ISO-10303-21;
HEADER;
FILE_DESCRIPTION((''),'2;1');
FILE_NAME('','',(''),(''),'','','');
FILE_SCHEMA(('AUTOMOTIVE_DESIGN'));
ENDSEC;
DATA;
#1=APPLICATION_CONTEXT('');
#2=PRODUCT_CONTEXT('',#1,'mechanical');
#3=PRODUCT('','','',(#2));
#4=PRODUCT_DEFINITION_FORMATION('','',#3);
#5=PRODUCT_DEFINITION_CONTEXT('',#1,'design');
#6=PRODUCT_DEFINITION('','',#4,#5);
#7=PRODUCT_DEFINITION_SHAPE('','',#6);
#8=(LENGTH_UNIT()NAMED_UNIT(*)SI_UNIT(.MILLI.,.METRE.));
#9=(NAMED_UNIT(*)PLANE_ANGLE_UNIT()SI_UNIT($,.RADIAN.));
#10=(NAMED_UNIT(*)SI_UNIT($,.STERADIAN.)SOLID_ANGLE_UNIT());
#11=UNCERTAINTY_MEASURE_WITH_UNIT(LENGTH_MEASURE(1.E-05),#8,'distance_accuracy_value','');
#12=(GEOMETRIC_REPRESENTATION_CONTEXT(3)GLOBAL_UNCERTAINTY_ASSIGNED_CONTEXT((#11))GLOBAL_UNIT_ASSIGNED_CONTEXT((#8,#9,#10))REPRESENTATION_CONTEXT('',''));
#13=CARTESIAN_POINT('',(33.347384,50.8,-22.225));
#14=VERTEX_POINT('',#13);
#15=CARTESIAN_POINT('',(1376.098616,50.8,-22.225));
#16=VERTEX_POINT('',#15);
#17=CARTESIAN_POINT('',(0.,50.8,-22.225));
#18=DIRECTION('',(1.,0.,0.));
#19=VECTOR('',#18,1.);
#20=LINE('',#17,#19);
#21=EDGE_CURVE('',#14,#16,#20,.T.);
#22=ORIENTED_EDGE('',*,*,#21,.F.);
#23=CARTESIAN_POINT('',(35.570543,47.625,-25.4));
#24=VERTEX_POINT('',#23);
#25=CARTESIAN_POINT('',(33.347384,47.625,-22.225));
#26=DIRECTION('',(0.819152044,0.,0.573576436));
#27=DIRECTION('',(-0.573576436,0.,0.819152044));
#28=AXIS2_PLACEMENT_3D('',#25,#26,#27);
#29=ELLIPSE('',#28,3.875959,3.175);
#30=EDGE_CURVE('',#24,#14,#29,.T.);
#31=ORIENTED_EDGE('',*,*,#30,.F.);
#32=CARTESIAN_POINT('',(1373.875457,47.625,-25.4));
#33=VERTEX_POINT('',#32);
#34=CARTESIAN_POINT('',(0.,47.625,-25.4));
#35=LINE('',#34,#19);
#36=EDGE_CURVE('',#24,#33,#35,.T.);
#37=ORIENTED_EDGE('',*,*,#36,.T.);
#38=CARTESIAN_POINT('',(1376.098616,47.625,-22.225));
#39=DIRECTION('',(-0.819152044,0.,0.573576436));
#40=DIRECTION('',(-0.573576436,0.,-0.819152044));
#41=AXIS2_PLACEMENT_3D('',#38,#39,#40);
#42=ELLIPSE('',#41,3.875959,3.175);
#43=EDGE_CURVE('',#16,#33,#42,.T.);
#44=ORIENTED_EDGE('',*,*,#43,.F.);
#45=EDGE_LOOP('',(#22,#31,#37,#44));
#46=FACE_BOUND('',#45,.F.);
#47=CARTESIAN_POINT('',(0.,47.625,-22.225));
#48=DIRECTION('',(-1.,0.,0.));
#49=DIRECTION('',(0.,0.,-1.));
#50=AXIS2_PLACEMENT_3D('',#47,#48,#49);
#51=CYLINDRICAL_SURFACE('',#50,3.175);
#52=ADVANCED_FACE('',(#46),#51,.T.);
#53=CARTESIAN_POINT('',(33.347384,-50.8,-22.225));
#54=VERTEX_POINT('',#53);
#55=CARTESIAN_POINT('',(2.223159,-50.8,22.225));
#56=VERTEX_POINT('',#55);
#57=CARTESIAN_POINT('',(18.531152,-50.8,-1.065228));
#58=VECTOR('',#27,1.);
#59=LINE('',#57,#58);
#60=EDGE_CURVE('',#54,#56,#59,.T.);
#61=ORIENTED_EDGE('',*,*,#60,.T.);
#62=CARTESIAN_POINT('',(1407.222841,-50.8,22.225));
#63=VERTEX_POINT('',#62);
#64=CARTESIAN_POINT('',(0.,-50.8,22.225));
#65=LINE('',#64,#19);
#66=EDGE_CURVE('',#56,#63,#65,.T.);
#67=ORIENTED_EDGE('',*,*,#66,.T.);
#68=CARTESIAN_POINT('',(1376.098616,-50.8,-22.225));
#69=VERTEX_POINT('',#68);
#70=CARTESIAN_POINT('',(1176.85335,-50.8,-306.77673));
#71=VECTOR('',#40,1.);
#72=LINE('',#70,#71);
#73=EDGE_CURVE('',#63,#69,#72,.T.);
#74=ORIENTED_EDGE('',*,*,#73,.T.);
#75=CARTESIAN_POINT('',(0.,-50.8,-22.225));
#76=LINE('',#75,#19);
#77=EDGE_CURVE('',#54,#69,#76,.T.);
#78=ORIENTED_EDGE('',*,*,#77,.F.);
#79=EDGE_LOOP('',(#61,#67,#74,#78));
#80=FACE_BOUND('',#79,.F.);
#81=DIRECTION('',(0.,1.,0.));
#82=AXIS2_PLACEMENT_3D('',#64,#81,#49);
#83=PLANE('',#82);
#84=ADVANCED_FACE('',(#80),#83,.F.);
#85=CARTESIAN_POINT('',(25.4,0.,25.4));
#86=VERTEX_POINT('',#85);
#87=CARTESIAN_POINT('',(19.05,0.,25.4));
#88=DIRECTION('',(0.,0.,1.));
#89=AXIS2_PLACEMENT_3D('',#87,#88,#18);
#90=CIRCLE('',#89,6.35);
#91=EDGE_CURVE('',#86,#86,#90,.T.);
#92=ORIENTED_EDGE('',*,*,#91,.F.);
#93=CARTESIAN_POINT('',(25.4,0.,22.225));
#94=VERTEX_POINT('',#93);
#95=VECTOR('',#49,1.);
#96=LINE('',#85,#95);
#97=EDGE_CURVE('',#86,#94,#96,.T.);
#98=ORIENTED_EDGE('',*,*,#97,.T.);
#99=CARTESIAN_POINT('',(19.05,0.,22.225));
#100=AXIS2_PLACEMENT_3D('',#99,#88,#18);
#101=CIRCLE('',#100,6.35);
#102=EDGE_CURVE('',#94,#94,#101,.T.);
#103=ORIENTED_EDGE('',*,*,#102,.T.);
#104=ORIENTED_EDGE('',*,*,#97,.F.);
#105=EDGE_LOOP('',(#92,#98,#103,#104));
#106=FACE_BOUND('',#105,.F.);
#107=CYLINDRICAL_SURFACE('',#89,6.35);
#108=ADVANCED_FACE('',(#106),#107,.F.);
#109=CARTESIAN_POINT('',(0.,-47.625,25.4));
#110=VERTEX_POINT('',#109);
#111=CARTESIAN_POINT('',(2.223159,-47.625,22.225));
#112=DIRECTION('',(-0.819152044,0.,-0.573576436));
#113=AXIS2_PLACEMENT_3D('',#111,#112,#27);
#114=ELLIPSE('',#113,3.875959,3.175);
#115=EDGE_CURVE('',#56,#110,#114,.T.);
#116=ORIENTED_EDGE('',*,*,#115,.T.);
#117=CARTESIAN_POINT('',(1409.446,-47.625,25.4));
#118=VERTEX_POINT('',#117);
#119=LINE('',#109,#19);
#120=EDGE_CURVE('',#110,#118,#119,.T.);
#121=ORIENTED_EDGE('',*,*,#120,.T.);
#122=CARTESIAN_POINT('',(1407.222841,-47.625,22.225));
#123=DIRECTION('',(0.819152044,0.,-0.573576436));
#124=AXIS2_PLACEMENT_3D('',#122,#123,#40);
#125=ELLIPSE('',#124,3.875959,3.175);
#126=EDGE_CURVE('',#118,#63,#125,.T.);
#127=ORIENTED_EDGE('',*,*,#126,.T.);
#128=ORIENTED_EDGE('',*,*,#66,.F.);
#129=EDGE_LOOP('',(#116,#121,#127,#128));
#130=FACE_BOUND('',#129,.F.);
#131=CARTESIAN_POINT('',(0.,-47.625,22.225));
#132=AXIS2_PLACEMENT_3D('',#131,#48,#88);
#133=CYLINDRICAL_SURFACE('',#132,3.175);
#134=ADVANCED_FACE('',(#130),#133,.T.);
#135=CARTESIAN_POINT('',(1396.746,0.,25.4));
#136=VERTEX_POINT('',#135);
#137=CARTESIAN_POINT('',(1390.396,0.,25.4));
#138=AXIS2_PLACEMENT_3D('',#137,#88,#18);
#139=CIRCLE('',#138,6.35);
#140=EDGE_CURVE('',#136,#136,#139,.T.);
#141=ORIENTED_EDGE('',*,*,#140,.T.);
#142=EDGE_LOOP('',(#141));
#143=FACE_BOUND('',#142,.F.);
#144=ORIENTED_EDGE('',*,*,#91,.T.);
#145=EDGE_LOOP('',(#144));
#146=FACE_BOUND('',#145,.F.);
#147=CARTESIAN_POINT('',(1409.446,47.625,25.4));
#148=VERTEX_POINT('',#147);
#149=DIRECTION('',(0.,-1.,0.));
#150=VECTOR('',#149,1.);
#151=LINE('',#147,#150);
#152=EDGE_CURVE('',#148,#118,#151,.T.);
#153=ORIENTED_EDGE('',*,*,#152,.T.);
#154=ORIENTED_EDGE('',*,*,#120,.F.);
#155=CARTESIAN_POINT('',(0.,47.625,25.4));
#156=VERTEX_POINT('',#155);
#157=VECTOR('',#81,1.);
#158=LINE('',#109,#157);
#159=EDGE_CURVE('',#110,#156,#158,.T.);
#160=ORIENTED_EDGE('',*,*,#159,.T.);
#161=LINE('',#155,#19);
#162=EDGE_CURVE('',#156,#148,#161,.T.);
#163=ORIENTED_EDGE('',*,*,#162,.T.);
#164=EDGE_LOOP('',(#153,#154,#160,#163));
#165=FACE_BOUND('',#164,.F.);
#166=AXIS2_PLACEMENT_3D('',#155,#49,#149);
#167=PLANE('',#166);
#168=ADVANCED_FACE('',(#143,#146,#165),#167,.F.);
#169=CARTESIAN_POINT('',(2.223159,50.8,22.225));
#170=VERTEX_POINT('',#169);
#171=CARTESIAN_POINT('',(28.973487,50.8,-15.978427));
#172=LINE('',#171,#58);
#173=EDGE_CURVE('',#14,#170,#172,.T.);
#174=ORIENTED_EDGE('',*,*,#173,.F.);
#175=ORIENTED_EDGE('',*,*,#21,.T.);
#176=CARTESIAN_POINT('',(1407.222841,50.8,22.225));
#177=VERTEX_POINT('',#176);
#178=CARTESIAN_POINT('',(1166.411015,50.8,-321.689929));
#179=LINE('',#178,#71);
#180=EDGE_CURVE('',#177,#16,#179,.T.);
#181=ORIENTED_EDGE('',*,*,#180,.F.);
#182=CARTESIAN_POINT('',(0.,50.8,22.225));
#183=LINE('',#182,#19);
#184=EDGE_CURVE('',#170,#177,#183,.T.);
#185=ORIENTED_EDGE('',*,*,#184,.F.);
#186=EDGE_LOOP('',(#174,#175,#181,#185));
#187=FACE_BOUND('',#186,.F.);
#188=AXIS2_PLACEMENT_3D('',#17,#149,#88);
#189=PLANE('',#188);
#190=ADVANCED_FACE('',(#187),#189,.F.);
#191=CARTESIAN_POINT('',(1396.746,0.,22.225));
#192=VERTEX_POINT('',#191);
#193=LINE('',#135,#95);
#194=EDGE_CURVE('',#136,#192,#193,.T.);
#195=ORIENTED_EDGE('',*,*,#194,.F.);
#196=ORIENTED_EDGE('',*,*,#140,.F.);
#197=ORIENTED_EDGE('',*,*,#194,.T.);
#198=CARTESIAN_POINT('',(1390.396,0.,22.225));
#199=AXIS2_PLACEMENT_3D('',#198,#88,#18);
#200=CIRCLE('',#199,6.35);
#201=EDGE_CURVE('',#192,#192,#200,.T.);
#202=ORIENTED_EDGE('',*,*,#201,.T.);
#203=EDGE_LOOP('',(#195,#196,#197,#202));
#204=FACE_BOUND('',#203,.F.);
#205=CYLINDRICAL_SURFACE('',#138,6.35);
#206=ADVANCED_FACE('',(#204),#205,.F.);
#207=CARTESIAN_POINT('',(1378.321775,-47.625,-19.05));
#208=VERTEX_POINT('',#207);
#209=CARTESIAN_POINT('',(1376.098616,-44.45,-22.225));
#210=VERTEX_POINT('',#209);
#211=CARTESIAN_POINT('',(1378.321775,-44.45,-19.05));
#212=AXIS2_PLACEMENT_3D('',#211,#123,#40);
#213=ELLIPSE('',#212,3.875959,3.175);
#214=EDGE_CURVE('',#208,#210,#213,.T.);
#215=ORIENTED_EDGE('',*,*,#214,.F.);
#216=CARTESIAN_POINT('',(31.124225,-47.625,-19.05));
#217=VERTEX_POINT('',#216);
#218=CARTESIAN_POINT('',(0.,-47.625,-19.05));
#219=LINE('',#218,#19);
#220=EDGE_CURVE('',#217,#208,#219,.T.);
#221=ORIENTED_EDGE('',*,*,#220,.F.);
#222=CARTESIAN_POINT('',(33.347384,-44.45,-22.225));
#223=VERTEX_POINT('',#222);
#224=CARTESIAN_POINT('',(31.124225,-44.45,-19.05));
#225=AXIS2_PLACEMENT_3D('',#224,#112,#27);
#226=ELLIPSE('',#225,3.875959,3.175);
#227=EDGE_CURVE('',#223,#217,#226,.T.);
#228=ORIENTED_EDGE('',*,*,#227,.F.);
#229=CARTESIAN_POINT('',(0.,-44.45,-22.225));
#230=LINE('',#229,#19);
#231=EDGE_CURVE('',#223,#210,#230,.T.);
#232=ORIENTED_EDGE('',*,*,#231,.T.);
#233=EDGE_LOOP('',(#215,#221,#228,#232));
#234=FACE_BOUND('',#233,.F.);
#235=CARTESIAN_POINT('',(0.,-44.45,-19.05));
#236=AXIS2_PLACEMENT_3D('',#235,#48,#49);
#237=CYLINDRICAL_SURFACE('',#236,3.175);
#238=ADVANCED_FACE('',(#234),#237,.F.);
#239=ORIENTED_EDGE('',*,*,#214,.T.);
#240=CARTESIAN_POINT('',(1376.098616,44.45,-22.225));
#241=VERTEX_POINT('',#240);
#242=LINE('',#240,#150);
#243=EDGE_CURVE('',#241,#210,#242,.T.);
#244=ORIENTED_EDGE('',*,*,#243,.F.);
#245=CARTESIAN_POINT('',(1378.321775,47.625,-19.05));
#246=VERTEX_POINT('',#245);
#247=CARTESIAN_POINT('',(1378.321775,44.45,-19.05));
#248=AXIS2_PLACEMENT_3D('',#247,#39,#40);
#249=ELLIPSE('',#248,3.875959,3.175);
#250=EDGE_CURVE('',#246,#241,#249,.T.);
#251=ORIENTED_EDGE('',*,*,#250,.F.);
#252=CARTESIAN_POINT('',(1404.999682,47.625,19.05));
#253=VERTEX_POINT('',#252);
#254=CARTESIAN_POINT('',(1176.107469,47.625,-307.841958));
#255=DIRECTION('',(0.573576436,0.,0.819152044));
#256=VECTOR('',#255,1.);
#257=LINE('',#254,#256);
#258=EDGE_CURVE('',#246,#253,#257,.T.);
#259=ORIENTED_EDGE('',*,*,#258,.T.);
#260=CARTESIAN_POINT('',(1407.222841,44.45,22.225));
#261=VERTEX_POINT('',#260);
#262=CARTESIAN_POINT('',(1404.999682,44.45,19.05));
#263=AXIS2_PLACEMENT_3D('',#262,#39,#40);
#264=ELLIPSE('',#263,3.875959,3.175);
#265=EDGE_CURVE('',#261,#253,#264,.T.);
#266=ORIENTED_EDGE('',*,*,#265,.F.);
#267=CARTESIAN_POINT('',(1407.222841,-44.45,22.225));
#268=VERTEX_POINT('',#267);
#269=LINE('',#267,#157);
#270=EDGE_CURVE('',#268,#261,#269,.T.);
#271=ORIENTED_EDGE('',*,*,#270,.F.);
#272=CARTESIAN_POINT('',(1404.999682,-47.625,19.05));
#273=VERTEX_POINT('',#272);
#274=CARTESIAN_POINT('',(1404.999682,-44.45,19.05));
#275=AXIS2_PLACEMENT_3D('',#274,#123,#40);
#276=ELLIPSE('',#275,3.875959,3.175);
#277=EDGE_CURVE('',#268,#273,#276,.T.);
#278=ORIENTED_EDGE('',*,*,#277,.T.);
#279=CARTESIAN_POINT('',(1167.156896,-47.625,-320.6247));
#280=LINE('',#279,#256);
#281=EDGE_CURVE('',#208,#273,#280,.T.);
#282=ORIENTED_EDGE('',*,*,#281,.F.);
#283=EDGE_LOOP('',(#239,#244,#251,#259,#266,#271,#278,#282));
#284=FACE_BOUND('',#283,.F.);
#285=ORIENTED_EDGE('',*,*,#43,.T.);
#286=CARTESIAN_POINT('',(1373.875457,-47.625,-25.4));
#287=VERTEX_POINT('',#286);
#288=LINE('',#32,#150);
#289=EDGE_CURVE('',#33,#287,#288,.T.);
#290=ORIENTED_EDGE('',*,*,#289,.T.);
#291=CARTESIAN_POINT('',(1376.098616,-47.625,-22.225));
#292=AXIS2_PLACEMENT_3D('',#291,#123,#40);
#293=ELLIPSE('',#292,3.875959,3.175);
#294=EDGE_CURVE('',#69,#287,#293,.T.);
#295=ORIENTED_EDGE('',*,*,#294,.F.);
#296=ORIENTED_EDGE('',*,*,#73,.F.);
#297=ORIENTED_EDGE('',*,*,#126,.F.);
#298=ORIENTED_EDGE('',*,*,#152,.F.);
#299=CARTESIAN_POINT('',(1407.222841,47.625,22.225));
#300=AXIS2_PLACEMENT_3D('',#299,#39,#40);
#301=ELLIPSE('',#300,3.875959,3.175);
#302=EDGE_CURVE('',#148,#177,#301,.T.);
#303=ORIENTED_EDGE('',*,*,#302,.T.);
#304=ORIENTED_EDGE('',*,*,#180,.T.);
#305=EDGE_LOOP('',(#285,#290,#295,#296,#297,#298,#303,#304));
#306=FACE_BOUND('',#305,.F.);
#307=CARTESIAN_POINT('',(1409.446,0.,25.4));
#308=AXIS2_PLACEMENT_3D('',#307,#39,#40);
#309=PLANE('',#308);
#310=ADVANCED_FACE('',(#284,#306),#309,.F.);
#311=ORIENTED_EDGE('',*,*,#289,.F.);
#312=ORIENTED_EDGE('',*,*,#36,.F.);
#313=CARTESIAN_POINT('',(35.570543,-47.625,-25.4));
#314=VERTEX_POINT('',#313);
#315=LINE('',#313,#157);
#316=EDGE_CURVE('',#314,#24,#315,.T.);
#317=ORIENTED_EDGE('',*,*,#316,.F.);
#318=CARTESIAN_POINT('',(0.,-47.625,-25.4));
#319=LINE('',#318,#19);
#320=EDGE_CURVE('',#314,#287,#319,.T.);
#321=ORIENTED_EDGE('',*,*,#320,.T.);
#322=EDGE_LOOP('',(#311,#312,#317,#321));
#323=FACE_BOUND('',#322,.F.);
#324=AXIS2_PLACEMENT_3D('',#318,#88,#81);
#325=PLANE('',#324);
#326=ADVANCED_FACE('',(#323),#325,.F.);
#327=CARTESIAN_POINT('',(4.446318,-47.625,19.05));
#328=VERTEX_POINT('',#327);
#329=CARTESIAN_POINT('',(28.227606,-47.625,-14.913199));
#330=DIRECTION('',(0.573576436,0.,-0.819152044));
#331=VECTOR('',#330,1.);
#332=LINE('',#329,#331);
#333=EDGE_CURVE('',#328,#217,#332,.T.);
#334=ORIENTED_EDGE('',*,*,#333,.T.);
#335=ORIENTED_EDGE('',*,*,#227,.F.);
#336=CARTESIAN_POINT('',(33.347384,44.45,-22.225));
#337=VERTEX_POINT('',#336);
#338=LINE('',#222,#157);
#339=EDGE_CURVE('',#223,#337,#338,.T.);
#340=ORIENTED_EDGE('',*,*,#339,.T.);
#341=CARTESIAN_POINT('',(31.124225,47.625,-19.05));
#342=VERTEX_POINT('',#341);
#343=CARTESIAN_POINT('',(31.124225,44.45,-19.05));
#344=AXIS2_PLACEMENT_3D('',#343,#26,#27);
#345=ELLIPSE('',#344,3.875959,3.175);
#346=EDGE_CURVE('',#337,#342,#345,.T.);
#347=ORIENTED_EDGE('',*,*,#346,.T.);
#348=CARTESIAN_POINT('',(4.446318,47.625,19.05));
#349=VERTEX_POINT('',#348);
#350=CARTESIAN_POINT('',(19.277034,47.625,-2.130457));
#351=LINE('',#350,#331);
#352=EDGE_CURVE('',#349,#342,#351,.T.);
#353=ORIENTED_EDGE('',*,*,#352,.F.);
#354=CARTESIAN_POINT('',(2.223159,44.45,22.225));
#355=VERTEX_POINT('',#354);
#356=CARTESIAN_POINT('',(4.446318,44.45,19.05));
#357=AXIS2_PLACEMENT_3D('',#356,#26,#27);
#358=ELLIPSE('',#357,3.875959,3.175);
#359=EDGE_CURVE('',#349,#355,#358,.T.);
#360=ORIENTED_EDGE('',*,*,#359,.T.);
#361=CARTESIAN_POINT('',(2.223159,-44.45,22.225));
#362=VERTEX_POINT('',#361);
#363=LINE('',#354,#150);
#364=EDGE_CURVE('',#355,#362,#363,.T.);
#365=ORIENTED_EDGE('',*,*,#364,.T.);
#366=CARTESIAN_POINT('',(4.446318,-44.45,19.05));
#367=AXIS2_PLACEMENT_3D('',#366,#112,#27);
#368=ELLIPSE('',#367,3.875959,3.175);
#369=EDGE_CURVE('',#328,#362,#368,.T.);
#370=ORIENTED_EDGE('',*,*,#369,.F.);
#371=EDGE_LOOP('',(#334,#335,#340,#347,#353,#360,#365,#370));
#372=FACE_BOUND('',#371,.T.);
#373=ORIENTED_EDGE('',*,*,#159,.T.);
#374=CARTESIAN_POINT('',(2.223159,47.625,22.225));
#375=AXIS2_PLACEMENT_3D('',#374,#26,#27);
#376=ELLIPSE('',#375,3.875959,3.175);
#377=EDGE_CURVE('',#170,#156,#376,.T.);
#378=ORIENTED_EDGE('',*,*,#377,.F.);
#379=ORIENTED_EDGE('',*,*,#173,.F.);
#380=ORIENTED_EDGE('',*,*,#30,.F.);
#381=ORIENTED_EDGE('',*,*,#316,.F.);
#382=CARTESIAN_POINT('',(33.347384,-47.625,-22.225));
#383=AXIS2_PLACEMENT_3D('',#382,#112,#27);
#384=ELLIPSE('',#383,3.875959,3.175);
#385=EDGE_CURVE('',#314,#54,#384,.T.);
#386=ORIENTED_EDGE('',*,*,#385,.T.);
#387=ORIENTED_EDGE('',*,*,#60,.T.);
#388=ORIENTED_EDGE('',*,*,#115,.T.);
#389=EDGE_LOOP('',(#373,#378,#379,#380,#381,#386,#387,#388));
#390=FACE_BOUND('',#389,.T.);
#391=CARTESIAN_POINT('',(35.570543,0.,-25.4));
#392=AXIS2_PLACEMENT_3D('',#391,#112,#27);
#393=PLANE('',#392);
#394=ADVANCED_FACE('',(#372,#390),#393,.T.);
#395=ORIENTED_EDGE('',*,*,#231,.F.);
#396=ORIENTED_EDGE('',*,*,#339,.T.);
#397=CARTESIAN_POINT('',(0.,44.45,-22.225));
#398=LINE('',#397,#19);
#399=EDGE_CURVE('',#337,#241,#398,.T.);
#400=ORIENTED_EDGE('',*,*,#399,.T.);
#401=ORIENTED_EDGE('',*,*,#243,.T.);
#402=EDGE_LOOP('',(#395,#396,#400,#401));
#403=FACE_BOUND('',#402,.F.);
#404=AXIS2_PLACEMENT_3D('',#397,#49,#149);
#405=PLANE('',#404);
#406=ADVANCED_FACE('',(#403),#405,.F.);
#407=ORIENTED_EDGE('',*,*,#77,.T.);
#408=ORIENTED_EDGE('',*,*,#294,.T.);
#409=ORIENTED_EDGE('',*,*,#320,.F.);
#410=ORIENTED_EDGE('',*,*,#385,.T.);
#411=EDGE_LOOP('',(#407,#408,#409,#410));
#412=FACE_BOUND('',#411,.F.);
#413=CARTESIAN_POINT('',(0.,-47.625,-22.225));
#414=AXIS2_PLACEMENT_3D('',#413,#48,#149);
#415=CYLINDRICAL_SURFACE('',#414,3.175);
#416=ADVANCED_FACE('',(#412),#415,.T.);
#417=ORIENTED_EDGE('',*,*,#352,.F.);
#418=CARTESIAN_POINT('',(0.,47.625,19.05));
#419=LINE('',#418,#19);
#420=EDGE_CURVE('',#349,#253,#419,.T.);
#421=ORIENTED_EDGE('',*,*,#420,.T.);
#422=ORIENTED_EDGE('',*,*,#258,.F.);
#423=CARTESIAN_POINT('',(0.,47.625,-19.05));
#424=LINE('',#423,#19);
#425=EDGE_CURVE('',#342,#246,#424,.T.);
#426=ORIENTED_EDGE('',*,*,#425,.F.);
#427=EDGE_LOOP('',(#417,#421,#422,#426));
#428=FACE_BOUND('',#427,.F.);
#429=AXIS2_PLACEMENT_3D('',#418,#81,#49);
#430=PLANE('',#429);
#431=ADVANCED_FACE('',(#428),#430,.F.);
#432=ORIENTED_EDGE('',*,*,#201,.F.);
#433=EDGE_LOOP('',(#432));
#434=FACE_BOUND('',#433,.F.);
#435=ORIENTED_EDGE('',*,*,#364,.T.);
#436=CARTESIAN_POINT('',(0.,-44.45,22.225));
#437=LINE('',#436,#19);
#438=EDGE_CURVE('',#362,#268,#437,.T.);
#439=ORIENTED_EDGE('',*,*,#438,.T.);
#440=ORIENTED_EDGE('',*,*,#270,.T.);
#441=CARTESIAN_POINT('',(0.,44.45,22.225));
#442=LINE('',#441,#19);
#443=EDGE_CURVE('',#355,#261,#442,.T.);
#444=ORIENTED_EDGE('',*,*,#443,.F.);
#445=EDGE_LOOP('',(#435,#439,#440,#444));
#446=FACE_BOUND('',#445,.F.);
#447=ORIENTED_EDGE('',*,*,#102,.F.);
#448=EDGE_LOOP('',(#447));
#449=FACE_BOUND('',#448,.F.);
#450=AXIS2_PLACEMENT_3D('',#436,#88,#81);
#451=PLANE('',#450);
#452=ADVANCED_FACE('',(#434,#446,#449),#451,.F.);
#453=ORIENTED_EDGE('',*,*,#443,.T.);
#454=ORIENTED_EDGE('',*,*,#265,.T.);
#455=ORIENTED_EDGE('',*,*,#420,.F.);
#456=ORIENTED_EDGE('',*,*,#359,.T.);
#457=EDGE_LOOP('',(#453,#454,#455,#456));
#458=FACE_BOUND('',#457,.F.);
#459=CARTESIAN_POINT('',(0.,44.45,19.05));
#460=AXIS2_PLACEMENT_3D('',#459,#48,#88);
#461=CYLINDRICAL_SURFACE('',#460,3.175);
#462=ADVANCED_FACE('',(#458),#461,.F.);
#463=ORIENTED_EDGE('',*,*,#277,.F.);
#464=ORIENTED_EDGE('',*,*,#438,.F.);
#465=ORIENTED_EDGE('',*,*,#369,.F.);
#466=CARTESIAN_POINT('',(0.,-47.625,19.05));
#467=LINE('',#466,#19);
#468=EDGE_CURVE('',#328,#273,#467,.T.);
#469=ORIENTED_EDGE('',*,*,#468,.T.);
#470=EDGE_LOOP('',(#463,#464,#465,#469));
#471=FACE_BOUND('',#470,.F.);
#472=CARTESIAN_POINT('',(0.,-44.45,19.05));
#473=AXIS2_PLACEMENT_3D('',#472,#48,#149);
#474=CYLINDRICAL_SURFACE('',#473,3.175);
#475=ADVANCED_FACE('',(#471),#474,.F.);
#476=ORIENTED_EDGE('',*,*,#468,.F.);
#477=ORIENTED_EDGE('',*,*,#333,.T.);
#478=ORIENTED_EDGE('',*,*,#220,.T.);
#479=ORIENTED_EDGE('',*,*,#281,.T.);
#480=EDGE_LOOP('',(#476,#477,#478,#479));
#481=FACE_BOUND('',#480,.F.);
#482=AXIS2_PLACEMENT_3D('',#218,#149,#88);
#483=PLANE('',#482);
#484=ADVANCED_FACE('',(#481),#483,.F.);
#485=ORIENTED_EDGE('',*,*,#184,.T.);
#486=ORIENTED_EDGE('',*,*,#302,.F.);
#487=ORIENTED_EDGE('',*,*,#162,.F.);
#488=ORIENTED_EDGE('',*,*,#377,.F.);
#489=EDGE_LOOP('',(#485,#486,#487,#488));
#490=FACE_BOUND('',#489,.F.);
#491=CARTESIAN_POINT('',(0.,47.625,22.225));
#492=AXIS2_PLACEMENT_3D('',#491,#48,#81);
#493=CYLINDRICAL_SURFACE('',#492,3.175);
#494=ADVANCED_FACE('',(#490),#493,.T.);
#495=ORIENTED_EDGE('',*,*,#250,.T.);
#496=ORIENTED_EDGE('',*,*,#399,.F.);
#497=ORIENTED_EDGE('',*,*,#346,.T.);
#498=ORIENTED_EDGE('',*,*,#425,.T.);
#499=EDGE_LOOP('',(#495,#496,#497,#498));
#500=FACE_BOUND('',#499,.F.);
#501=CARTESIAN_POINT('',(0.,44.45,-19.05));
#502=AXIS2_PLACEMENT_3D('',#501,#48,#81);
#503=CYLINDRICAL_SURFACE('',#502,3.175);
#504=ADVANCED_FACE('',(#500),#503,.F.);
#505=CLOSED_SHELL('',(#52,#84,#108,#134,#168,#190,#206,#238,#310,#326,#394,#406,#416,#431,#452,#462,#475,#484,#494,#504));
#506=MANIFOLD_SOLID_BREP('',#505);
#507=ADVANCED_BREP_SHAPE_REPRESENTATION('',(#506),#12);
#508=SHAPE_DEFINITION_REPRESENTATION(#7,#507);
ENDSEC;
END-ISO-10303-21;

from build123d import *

# Parameters (mm, degrees)
F1_DEPTH      = 1409.446
F3_DEPTH      = 50.801
F3_DEPTH_BACK = 50.801
F4_R          = 6.35
F5_DEPTH      = 25.4


with BuildPart() as f1:
    # F0 (on Right) → F1 (new body)
    with BuildSketch(Plane.YZ):
        with BuildLine():
            Line((-47.625, -25.4), (47.625, -25.4))
            ThreePointArc((47.625, -25.4), (49.8700640303, -24.4700640303), (50.8, -22.225))
            Line((50.8, -22.225), (50.8, 22.225))
            ThreePointArc((50.8, 22.225), (49.8700640303, 24.4700640303), (47.625, 25.4))
            Line((47.625, 25.4), (-47.625, 25.4))
            ThreePointArc((-47.625, 25.4), (-49.8700640303, 24.4700640303), (-50.8, 22.225))
            Line((-50.8, 22.225), (-50.8, -22.225))
            ThreePointArc((-50.8, -22.225), (-49.8700640303, -24.4700640303), (-47.625, -25.4))
        make_face()
        with BuildLine():
            Line((-44.45, 22.225), (44.45, 22.225))
            ThreePointArc((44.45, 22.225), (46.6950640303, 21.2950640303), (47.625, 19.05))
            Line((47.625, 19.05), (47.625, -19.05))
            ThreePointArc((47.625, -19.05), (46.6950640303, -21.2950640303), (44.45, -22.225))
            Line((44.45, -22.225), (-44.45, -22.225))
            ThreePointArc((-44.45, -22.225), (-46.6950640303, -21.2950640303), (-47.625, -19.05))
            Line((-47.625, -19.05), (-47.625, 19.05))
            ThreePointArc((-47.625, 19.05), (-46.6950640303, 21.2950640303), (-44.45, 22.225))
        make_face(mode=Mode.SUBTRACT)
    extrude(amount=F1_DEPTH)

    # F2 (on Front) → F3 (cut, two sides)
    with BuildSketch(Plane.XZ) as f3_sk:
        Polygon((0, 25.4), (0, -25.4), (35.5705429411, -25.4), align=None)
        Polygon((1409.446, 25.4), (1373.8754570589, -25.4), (1409.446, -25.4), align=None)
    extrude(amount=-F3_DEPTH, mode=Mode.SUBTRACT)
    extrude(f3_sk.sketch, amount=F3_DEPTH_BACK, mode=Mode.SUBTRACT)

    # F4 (on face) → F5 (cut)
    with BuildSketch(Plane.XY.offset(25.4)):
        with Locations((19.05, 0)):
            Circle(F4_R)
        with Locations((1390.396, 0)):
            Circle(F4_R)
    extrude(amount=-F5_DEPTH, mode=Mode.SUBTRACT)


solid = f1.part
